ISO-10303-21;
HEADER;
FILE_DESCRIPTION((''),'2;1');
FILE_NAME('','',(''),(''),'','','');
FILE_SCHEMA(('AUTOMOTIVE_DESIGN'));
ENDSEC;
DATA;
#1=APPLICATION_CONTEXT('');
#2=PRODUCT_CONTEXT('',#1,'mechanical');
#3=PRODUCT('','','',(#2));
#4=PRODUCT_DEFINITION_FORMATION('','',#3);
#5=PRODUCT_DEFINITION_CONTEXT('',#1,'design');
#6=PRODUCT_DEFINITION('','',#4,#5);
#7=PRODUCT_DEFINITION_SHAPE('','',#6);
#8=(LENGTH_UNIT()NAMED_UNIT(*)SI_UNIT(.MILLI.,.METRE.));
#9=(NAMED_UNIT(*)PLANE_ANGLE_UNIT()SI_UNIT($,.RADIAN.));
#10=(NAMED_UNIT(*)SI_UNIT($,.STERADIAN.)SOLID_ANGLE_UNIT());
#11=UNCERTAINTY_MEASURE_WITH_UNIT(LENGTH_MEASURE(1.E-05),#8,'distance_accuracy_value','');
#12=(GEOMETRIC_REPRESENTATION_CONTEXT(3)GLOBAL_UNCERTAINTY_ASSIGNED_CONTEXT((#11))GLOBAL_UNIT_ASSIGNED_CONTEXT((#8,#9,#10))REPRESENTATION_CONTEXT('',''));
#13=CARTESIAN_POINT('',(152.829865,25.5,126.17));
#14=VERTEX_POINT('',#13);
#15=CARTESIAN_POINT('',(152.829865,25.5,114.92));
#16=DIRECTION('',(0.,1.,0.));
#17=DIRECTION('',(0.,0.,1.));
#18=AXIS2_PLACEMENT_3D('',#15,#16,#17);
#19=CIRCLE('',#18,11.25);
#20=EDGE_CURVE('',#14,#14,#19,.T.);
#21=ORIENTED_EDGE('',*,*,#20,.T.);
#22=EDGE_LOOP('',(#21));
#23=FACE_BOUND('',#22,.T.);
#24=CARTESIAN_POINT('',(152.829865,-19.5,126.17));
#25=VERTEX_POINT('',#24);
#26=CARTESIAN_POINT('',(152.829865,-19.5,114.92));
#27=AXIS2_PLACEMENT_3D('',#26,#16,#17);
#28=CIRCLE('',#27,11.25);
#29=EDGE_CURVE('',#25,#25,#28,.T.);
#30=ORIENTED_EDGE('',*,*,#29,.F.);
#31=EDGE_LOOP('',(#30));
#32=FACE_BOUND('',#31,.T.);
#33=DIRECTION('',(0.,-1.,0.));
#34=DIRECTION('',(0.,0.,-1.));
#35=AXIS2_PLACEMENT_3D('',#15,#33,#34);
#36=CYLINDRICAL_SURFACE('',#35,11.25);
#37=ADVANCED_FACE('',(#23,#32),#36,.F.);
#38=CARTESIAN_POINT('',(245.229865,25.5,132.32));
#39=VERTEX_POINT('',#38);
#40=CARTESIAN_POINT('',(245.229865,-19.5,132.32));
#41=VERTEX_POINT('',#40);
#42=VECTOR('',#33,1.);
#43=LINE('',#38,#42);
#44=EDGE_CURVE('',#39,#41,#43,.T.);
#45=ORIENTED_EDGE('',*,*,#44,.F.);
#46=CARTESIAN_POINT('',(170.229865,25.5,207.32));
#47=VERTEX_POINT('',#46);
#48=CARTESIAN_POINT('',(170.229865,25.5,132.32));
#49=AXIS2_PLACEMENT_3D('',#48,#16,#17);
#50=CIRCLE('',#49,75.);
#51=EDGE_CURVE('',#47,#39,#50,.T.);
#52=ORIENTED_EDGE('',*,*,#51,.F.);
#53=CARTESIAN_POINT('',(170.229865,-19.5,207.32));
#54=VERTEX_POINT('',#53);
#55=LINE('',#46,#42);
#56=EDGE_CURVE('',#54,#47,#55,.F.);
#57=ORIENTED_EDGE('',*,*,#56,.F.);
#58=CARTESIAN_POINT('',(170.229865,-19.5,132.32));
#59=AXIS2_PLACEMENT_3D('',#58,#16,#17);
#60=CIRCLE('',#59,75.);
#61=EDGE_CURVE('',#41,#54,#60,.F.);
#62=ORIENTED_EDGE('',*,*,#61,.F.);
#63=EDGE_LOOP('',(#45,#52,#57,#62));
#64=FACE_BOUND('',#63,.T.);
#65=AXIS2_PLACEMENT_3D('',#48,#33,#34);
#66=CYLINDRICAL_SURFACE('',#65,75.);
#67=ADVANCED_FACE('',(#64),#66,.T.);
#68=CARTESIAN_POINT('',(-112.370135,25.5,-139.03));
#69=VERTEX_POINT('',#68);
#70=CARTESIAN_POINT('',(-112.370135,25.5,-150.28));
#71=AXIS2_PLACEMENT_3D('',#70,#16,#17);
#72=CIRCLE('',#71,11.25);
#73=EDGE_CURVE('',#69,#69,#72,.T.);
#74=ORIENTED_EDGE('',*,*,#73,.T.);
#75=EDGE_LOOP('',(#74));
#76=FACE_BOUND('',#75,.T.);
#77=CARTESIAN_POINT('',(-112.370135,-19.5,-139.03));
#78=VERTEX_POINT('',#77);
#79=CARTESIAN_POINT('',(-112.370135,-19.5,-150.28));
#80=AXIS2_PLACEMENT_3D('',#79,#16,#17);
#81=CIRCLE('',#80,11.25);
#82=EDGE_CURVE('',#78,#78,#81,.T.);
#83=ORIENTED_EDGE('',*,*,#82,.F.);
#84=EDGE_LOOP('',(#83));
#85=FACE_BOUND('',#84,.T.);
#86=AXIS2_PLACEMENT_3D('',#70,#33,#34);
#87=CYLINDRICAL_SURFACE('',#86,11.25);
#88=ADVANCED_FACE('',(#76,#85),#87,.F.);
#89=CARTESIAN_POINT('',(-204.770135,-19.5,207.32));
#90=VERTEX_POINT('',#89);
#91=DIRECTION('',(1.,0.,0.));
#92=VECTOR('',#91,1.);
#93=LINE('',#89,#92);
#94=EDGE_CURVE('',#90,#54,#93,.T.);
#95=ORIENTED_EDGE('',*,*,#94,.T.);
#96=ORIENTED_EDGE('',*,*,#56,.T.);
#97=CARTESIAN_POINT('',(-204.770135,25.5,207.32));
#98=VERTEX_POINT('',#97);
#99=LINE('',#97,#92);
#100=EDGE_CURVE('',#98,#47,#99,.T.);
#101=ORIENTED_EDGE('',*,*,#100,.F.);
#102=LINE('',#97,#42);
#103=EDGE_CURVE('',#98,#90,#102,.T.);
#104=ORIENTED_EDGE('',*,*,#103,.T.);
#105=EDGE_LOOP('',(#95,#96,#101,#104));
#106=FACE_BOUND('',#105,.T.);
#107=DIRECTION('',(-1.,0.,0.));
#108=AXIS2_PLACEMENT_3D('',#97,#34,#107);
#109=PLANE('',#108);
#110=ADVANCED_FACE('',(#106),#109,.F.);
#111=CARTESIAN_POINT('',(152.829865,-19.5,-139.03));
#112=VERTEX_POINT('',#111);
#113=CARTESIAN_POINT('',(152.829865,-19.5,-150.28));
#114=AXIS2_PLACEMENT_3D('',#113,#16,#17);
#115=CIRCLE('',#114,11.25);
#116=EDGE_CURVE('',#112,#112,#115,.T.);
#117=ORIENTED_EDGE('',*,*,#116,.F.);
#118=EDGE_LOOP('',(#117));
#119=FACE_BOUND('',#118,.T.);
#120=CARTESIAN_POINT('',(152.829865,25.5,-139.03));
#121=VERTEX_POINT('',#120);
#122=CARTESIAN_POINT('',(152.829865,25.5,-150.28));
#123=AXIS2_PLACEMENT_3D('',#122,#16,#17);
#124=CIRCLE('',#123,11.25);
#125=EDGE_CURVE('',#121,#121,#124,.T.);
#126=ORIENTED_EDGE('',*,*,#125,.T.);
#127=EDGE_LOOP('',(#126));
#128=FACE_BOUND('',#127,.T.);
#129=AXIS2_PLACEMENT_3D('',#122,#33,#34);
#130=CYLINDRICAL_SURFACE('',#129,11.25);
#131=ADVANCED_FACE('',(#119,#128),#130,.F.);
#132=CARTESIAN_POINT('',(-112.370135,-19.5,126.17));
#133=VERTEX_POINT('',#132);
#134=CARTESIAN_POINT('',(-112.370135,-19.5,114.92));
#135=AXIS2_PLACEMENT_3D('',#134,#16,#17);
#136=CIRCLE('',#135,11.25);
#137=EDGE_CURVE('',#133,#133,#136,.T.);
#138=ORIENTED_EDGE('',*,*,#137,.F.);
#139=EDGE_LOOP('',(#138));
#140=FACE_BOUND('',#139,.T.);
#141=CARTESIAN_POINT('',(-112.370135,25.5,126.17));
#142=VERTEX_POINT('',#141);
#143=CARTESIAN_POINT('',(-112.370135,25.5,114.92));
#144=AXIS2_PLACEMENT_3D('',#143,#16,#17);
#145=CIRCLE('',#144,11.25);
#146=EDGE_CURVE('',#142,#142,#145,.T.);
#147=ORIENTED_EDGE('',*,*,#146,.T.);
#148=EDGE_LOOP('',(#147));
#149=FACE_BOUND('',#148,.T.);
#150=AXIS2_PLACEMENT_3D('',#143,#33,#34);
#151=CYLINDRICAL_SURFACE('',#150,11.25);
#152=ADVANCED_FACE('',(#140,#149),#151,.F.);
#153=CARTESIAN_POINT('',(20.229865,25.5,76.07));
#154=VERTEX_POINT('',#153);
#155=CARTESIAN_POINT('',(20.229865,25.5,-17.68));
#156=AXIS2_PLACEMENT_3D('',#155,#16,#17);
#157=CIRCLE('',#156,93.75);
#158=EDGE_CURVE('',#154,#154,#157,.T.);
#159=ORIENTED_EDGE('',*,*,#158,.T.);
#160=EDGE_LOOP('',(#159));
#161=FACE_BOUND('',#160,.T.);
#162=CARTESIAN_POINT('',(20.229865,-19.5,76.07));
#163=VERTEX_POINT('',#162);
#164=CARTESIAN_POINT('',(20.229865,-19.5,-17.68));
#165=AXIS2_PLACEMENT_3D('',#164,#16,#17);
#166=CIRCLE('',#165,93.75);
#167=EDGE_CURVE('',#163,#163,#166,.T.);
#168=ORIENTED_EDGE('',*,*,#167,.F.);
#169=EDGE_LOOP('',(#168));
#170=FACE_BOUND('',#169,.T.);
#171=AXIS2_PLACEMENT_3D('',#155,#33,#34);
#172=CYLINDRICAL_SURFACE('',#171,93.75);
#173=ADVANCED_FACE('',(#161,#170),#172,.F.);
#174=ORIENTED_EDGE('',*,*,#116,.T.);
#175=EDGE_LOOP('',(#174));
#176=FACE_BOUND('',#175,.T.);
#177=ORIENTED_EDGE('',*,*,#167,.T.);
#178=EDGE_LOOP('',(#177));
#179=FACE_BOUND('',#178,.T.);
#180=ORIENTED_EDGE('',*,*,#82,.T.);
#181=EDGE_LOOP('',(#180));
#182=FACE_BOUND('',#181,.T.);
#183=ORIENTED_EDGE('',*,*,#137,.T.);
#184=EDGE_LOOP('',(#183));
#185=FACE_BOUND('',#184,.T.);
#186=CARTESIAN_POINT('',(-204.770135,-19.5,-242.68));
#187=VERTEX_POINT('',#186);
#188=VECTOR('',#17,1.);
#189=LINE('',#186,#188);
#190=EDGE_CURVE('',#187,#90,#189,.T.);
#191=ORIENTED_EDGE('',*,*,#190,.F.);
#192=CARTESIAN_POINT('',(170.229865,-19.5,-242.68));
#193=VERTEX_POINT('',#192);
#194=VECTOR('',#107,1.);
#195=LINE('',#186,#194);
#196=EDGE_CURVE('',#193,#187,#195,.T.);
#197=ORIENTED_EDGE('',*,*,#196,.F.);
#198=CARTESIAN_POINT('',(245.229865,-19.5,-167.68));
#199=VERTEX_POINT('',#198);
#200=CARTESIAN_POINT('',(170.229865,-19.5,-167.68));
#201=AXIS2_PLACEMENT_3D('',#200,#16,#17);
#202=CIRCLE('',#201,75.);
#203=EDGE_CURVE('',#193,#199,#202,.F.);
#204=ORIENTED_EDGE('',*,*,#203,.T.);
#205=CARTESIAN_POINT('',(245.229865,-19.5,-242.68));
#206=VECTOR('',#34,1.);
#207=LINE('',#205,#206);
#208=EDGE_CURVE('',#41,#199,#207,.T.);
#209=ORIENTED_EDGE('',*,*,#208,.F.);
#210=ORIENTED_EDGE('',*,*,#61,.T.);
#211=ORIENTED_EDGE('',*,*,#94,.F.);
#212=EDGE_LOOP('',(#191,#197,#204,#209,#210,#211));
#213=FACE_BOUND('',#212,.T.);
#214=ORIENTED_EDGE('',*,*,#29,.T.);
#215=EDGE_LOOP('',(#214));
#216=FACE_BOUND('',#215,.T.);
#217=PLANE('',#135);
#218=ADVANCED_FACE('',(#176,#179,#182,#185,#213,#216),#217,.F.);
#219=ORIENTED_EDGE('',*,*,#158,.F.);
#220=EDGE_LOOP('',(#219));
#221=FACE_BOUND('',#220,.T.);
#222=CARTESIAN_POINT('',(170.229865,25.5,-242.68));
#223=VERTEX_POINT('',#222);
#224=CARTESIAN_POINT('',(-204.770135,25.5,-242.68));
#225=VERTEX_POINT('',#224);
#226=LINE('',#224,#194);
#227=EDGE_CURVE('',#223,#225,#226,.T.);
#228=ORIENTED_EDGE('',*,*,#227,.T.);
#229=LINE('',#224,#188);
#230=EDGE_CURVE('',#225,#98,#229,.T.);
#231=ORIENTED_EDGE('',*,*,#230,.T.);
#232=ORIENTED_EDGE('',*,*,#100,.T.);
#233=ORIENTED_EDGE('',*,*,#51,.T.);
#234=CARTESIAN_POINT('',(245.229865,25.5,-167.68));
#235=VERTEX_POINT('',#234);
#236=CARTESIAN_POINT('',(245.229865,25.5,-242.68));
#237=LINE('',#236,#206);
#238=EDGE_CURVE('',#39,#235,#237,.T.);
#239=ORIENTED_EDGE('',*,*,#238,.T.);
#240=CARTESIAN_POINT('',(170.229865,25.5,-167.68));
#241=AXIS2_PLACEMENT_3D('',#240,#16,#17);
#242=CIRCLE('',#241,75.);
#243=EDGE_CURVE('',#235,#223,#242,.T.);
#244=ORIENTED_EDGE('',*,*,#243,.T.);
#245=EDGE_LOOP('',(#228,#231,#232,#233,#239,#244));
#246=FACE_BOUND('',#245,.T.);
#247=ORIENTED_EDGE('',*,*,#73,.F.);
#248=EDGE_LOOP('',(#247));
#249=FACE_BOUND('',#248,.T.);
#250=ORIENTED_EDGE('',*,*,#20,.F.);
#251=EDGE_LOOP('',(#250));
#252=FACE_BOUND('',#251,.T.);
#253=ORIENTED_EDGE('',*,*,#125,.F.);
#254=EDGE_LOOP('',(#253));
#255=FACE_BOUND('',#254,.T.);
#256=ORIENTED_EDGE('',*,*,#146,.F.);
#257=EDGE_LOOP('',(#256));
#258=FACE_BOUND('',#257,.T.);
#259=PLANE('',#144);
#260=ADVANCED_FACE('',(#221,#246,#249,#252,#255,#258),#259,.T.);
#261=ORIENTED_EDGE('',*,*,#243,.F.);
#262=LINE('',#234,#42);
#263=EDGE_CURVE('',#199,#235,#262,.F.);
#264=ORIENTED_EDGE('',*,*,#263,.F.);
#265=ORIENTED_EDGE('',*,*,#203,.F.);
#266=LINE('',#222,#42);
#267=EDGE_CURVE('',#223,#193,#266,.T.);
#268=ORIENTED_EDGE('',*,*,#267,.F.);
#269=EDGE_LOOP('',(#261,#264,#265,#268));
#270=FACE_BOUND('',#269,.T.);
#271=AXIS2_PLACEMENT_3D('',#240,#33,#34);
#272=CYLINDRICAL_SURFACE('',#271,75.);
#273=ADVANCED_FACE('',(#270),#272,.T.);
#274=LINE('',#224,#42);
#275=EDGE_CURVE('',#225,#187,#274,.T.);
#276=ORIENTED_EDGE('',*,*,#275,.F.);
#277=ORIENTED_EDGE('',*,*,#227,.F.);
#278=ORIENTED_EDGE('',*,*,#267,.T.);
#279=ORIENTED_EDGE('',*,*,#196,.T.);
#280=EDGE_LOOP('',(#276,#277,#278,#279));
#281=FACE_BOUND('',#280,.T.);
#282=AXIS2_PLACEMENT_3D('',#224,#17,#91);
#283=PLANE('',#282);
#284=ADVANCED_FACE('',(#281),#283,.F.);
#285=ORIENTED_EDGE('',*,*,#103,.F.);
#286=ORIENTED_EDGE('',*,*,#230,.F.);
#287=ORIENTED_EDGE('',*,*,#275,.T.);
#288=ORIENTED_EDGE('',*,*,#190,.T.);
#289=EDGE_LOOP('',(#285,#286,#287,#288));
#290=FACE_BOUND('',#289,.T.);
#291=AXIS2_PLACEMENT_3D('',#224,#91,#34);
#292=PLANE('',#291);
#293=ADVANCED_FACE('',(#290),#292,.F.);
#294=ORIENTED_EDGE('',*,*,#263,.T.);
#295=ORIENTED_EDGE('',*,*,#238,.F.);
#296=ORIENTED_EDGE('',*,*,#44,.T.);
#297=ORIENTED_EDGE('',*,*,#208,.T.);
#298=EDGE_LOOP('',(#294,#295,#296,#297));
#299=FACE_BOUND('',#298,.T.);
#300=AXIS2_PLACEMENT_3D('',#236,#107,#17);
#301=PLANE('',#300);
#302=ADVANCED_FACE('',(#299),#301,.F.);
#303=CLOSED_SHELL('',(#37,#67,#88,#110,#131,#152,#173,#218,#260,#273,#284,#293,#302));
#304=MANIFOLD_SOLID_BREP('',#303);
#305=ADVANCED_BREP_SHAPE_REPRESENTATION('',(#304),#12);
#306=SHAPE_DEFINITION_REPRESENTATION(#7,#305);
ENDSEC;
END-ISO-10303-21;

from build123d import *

# Parameters (mm, degrees)
SKETCH1_W           = 60
SKETCH1_H           = 60
SKETCH1_R           = 1.5
SKETCH1_R_2         = 12.5
BOSS_EXTRUDE1_DEPTH = 6
FILLET1_R           = 10
SCALE2_SCALE        = 7.5


with BuildPart() as part:
    # Sketch1 → Boss-Extrude1 (new body)
    with BuildSketch(Plane(origin=(0, 0, 0), x_dir=(1, 0, 0), z_dir=(0, 1, 0))):
        with Locations((17.68, 17.68)):
            Rectangle(SKETCH1_W, SKETCH1_H)
        with Locations((0, 35.36)):
            Circle(SKETCH1_R, mode=Mode.SUBTRACT)
        with Locations((35.36, 35.36)):
            Circle(SKETCH1_R, mode=Mode.SUBTRACT)
        with Locations((35.36, 0)):
            Circle(SKETCH1_R, mode=Mode.SUBTRACT)
        Circle(SKETCH1_R, mode=Mode.SUBTRACT)
        with Locations((17.68, 17.68)):
            Circle(SKETCH1_R_2, mode=Mode.SUBTRACT)
    extrude(amount=BOSS_EXTRUDE1_DEPTH)

    # Fillet1
    fillet1_edges = [part.edges().sort_by_distance(p)[0] for p in [
        (47.68, 3, -47.68),
        (47.68, 3, 12.32),
    ]]
    fillet(fillet1_edges, radius=FILLET1_R)


with BuildPart() as part_1:
    # Scale2: scaled about (17.28771311, 3, -17.68)
    add(part.part.scale(SCALE2_SCALE).moved(Location((-112.370135215, -19.5, 114.92))))


solid = part_1.part
